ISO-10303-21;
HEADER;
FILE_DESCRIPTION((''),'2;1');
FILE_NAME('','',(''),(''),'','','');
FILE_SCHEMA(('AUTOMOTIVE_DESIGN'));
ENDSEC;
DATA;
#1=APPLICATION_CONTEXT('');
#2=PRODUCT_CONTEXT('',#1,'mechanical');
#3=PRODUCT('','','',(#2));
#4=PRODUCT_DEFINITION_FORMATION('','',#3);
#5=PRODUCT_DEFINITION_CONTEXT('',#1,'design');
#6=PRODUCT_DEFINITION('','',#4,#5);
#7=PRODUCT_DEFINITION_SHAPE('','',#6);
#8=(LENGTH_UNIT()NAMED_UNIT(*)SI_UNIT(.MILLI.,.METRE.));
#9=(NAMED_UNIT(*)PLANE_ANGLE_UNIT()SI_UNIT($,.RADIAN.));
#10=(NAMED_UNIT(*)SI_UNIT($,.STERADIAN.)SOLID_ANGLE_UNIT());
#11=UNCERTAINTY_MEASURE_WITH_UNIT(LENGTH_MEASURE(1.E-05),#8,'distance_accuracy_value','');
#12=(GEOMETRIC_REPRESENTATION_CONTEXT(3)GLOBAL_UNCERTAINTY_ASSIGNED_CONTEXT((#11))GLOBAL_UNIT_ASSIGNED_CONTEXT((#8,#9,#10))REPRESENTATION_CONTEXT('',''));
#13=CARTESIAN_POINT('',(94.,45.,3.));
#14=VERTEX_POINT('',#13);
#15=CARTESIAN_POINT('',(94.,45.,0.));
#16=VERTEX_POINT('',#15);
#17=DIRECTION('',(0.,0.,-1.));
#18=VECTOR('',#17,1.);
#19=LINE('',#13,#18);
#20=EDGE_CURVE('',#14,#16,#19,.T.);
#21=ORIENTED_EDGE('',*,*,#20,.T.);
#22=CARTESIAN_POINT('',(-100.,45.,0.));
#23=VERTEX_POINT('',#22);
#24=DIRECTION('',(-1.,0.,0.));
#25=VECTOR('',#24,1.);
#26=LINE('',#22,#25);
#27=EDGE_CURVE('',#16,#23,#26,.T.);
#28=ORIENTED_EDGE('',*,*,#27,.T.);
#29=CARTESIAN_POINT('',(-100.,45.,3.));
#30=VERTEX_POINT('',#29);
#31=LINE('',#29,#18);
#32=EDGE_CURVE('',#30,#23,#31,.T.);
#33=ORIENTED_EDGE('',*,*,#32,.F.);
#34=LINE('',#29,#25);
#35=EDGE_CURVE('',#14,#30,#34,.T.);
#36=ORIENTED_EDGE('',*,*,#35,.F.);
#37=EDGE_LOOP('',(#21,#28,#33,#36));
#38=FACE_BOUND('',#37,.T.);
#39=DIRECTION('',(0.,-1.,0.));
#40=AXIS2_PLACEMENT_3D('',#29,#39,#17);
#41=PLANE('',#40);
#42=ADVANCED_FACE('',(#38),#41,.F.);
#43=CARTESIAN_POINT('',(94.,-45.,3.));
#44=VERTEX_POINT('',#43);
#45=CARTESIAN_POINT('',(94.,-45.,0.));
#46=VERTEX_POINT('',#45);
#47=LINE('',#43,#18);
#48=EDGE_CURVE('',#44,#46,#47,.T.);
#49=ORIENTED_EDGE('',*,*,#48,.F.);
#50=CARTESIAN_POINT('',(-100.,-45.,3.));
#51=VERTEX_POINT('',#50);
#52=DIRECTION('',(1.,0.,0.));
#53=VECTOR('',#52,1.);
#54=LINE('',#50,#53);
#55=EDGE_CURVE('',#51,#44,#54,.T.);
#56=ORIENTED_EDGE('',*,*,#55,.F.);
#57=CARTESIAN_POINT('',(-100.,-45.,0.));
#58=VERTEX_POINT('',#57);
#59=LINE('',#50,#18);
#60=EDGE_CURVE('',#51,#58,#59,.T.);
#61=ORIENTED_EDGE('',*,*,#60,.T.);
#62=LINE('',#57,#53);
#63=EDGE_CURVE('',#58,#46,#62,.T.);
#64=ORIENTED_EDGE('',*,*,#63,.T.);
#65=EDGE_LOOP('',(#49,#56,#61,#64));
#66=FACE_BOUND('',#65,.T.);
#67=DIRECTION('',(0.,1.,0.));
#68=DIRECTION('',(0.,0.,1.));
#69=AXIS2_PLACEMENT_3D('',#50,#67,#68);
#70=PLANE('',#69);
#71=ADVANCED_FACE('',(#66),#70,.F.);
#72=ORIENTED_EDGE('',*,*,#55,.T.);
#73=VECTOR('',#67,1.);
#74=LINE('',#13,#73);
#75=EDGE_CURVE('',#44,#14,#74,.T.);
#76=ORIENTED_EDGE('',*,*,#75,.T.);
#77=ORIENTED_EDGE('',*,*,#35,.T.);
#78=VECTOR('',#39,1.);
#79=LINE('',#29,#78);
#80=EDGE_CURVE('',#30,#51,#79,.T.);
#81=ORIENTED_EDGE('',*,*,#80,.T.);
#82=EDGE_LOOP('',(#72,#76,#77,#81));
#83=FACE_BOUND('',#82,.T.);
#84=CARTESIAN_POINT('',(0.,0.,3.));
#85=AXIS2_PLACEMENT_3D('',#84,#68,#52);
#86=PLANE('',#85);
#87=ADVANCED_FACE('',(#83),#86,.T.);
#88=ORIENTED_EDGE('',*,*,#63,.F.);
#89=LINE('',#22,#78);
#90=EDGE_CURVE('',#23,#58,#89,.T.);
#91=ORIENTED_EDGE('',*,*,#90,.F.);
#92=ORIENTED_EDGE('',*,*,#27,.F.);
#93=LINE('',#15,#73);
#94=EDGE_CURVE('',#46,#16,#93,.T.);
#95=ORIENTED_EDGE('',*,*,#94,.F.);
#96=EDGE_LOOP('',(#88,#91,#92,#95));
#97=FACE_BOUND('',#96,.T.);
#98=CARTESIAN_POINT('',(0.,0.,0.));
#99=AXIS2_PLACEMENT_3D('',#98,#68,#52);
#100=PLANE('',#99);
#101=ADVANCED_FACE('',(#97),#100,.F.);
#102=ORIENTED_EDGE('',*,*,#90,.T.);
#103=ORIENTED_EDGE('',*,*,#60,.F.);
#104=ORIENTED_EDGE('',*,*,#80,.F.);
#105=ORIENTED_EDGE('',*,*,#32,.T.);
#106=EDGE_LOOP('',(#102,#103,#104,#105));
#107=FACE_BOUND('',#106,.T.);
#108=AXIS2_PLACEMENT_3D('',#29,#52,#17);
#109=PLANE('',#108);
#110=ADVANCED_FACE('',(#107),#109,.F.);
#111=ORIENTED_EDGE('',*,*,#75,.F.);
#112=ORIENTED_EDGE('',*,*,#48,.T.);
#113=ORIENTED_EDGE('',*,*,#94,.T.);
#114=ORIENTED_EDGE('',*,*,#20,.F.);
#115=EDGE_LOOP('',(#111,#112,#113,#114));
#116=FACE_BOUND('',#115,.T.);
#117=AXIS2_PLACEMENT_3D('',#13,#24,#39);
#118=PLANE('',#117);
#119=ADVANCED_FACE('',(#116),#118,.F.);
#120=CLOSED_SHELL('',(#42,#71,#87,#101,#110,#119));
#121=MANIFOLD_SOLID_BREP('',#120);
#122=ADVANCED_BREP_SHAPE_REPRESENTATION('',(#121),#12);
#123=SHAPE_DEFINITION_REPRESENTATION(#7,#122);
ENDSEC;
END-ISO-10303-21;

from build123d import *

# Parameters (mm, degrees)
SKETCH_1_W      = 194
SKETCH_1_H      = 90
EXTRUDE_1_DEPTH = 3


with BuildPart() as part:
    # 草圖1 → 填料-伸長1 (new body)
    with BuildSketch(Plane.XY):
        with Locations((-3, 0)):
            Rectangle(SKETCH_1_W, SKETCH_1_H)
    extrude(amount=EXTRUDE_1_DEPTH)


solid = part.part
